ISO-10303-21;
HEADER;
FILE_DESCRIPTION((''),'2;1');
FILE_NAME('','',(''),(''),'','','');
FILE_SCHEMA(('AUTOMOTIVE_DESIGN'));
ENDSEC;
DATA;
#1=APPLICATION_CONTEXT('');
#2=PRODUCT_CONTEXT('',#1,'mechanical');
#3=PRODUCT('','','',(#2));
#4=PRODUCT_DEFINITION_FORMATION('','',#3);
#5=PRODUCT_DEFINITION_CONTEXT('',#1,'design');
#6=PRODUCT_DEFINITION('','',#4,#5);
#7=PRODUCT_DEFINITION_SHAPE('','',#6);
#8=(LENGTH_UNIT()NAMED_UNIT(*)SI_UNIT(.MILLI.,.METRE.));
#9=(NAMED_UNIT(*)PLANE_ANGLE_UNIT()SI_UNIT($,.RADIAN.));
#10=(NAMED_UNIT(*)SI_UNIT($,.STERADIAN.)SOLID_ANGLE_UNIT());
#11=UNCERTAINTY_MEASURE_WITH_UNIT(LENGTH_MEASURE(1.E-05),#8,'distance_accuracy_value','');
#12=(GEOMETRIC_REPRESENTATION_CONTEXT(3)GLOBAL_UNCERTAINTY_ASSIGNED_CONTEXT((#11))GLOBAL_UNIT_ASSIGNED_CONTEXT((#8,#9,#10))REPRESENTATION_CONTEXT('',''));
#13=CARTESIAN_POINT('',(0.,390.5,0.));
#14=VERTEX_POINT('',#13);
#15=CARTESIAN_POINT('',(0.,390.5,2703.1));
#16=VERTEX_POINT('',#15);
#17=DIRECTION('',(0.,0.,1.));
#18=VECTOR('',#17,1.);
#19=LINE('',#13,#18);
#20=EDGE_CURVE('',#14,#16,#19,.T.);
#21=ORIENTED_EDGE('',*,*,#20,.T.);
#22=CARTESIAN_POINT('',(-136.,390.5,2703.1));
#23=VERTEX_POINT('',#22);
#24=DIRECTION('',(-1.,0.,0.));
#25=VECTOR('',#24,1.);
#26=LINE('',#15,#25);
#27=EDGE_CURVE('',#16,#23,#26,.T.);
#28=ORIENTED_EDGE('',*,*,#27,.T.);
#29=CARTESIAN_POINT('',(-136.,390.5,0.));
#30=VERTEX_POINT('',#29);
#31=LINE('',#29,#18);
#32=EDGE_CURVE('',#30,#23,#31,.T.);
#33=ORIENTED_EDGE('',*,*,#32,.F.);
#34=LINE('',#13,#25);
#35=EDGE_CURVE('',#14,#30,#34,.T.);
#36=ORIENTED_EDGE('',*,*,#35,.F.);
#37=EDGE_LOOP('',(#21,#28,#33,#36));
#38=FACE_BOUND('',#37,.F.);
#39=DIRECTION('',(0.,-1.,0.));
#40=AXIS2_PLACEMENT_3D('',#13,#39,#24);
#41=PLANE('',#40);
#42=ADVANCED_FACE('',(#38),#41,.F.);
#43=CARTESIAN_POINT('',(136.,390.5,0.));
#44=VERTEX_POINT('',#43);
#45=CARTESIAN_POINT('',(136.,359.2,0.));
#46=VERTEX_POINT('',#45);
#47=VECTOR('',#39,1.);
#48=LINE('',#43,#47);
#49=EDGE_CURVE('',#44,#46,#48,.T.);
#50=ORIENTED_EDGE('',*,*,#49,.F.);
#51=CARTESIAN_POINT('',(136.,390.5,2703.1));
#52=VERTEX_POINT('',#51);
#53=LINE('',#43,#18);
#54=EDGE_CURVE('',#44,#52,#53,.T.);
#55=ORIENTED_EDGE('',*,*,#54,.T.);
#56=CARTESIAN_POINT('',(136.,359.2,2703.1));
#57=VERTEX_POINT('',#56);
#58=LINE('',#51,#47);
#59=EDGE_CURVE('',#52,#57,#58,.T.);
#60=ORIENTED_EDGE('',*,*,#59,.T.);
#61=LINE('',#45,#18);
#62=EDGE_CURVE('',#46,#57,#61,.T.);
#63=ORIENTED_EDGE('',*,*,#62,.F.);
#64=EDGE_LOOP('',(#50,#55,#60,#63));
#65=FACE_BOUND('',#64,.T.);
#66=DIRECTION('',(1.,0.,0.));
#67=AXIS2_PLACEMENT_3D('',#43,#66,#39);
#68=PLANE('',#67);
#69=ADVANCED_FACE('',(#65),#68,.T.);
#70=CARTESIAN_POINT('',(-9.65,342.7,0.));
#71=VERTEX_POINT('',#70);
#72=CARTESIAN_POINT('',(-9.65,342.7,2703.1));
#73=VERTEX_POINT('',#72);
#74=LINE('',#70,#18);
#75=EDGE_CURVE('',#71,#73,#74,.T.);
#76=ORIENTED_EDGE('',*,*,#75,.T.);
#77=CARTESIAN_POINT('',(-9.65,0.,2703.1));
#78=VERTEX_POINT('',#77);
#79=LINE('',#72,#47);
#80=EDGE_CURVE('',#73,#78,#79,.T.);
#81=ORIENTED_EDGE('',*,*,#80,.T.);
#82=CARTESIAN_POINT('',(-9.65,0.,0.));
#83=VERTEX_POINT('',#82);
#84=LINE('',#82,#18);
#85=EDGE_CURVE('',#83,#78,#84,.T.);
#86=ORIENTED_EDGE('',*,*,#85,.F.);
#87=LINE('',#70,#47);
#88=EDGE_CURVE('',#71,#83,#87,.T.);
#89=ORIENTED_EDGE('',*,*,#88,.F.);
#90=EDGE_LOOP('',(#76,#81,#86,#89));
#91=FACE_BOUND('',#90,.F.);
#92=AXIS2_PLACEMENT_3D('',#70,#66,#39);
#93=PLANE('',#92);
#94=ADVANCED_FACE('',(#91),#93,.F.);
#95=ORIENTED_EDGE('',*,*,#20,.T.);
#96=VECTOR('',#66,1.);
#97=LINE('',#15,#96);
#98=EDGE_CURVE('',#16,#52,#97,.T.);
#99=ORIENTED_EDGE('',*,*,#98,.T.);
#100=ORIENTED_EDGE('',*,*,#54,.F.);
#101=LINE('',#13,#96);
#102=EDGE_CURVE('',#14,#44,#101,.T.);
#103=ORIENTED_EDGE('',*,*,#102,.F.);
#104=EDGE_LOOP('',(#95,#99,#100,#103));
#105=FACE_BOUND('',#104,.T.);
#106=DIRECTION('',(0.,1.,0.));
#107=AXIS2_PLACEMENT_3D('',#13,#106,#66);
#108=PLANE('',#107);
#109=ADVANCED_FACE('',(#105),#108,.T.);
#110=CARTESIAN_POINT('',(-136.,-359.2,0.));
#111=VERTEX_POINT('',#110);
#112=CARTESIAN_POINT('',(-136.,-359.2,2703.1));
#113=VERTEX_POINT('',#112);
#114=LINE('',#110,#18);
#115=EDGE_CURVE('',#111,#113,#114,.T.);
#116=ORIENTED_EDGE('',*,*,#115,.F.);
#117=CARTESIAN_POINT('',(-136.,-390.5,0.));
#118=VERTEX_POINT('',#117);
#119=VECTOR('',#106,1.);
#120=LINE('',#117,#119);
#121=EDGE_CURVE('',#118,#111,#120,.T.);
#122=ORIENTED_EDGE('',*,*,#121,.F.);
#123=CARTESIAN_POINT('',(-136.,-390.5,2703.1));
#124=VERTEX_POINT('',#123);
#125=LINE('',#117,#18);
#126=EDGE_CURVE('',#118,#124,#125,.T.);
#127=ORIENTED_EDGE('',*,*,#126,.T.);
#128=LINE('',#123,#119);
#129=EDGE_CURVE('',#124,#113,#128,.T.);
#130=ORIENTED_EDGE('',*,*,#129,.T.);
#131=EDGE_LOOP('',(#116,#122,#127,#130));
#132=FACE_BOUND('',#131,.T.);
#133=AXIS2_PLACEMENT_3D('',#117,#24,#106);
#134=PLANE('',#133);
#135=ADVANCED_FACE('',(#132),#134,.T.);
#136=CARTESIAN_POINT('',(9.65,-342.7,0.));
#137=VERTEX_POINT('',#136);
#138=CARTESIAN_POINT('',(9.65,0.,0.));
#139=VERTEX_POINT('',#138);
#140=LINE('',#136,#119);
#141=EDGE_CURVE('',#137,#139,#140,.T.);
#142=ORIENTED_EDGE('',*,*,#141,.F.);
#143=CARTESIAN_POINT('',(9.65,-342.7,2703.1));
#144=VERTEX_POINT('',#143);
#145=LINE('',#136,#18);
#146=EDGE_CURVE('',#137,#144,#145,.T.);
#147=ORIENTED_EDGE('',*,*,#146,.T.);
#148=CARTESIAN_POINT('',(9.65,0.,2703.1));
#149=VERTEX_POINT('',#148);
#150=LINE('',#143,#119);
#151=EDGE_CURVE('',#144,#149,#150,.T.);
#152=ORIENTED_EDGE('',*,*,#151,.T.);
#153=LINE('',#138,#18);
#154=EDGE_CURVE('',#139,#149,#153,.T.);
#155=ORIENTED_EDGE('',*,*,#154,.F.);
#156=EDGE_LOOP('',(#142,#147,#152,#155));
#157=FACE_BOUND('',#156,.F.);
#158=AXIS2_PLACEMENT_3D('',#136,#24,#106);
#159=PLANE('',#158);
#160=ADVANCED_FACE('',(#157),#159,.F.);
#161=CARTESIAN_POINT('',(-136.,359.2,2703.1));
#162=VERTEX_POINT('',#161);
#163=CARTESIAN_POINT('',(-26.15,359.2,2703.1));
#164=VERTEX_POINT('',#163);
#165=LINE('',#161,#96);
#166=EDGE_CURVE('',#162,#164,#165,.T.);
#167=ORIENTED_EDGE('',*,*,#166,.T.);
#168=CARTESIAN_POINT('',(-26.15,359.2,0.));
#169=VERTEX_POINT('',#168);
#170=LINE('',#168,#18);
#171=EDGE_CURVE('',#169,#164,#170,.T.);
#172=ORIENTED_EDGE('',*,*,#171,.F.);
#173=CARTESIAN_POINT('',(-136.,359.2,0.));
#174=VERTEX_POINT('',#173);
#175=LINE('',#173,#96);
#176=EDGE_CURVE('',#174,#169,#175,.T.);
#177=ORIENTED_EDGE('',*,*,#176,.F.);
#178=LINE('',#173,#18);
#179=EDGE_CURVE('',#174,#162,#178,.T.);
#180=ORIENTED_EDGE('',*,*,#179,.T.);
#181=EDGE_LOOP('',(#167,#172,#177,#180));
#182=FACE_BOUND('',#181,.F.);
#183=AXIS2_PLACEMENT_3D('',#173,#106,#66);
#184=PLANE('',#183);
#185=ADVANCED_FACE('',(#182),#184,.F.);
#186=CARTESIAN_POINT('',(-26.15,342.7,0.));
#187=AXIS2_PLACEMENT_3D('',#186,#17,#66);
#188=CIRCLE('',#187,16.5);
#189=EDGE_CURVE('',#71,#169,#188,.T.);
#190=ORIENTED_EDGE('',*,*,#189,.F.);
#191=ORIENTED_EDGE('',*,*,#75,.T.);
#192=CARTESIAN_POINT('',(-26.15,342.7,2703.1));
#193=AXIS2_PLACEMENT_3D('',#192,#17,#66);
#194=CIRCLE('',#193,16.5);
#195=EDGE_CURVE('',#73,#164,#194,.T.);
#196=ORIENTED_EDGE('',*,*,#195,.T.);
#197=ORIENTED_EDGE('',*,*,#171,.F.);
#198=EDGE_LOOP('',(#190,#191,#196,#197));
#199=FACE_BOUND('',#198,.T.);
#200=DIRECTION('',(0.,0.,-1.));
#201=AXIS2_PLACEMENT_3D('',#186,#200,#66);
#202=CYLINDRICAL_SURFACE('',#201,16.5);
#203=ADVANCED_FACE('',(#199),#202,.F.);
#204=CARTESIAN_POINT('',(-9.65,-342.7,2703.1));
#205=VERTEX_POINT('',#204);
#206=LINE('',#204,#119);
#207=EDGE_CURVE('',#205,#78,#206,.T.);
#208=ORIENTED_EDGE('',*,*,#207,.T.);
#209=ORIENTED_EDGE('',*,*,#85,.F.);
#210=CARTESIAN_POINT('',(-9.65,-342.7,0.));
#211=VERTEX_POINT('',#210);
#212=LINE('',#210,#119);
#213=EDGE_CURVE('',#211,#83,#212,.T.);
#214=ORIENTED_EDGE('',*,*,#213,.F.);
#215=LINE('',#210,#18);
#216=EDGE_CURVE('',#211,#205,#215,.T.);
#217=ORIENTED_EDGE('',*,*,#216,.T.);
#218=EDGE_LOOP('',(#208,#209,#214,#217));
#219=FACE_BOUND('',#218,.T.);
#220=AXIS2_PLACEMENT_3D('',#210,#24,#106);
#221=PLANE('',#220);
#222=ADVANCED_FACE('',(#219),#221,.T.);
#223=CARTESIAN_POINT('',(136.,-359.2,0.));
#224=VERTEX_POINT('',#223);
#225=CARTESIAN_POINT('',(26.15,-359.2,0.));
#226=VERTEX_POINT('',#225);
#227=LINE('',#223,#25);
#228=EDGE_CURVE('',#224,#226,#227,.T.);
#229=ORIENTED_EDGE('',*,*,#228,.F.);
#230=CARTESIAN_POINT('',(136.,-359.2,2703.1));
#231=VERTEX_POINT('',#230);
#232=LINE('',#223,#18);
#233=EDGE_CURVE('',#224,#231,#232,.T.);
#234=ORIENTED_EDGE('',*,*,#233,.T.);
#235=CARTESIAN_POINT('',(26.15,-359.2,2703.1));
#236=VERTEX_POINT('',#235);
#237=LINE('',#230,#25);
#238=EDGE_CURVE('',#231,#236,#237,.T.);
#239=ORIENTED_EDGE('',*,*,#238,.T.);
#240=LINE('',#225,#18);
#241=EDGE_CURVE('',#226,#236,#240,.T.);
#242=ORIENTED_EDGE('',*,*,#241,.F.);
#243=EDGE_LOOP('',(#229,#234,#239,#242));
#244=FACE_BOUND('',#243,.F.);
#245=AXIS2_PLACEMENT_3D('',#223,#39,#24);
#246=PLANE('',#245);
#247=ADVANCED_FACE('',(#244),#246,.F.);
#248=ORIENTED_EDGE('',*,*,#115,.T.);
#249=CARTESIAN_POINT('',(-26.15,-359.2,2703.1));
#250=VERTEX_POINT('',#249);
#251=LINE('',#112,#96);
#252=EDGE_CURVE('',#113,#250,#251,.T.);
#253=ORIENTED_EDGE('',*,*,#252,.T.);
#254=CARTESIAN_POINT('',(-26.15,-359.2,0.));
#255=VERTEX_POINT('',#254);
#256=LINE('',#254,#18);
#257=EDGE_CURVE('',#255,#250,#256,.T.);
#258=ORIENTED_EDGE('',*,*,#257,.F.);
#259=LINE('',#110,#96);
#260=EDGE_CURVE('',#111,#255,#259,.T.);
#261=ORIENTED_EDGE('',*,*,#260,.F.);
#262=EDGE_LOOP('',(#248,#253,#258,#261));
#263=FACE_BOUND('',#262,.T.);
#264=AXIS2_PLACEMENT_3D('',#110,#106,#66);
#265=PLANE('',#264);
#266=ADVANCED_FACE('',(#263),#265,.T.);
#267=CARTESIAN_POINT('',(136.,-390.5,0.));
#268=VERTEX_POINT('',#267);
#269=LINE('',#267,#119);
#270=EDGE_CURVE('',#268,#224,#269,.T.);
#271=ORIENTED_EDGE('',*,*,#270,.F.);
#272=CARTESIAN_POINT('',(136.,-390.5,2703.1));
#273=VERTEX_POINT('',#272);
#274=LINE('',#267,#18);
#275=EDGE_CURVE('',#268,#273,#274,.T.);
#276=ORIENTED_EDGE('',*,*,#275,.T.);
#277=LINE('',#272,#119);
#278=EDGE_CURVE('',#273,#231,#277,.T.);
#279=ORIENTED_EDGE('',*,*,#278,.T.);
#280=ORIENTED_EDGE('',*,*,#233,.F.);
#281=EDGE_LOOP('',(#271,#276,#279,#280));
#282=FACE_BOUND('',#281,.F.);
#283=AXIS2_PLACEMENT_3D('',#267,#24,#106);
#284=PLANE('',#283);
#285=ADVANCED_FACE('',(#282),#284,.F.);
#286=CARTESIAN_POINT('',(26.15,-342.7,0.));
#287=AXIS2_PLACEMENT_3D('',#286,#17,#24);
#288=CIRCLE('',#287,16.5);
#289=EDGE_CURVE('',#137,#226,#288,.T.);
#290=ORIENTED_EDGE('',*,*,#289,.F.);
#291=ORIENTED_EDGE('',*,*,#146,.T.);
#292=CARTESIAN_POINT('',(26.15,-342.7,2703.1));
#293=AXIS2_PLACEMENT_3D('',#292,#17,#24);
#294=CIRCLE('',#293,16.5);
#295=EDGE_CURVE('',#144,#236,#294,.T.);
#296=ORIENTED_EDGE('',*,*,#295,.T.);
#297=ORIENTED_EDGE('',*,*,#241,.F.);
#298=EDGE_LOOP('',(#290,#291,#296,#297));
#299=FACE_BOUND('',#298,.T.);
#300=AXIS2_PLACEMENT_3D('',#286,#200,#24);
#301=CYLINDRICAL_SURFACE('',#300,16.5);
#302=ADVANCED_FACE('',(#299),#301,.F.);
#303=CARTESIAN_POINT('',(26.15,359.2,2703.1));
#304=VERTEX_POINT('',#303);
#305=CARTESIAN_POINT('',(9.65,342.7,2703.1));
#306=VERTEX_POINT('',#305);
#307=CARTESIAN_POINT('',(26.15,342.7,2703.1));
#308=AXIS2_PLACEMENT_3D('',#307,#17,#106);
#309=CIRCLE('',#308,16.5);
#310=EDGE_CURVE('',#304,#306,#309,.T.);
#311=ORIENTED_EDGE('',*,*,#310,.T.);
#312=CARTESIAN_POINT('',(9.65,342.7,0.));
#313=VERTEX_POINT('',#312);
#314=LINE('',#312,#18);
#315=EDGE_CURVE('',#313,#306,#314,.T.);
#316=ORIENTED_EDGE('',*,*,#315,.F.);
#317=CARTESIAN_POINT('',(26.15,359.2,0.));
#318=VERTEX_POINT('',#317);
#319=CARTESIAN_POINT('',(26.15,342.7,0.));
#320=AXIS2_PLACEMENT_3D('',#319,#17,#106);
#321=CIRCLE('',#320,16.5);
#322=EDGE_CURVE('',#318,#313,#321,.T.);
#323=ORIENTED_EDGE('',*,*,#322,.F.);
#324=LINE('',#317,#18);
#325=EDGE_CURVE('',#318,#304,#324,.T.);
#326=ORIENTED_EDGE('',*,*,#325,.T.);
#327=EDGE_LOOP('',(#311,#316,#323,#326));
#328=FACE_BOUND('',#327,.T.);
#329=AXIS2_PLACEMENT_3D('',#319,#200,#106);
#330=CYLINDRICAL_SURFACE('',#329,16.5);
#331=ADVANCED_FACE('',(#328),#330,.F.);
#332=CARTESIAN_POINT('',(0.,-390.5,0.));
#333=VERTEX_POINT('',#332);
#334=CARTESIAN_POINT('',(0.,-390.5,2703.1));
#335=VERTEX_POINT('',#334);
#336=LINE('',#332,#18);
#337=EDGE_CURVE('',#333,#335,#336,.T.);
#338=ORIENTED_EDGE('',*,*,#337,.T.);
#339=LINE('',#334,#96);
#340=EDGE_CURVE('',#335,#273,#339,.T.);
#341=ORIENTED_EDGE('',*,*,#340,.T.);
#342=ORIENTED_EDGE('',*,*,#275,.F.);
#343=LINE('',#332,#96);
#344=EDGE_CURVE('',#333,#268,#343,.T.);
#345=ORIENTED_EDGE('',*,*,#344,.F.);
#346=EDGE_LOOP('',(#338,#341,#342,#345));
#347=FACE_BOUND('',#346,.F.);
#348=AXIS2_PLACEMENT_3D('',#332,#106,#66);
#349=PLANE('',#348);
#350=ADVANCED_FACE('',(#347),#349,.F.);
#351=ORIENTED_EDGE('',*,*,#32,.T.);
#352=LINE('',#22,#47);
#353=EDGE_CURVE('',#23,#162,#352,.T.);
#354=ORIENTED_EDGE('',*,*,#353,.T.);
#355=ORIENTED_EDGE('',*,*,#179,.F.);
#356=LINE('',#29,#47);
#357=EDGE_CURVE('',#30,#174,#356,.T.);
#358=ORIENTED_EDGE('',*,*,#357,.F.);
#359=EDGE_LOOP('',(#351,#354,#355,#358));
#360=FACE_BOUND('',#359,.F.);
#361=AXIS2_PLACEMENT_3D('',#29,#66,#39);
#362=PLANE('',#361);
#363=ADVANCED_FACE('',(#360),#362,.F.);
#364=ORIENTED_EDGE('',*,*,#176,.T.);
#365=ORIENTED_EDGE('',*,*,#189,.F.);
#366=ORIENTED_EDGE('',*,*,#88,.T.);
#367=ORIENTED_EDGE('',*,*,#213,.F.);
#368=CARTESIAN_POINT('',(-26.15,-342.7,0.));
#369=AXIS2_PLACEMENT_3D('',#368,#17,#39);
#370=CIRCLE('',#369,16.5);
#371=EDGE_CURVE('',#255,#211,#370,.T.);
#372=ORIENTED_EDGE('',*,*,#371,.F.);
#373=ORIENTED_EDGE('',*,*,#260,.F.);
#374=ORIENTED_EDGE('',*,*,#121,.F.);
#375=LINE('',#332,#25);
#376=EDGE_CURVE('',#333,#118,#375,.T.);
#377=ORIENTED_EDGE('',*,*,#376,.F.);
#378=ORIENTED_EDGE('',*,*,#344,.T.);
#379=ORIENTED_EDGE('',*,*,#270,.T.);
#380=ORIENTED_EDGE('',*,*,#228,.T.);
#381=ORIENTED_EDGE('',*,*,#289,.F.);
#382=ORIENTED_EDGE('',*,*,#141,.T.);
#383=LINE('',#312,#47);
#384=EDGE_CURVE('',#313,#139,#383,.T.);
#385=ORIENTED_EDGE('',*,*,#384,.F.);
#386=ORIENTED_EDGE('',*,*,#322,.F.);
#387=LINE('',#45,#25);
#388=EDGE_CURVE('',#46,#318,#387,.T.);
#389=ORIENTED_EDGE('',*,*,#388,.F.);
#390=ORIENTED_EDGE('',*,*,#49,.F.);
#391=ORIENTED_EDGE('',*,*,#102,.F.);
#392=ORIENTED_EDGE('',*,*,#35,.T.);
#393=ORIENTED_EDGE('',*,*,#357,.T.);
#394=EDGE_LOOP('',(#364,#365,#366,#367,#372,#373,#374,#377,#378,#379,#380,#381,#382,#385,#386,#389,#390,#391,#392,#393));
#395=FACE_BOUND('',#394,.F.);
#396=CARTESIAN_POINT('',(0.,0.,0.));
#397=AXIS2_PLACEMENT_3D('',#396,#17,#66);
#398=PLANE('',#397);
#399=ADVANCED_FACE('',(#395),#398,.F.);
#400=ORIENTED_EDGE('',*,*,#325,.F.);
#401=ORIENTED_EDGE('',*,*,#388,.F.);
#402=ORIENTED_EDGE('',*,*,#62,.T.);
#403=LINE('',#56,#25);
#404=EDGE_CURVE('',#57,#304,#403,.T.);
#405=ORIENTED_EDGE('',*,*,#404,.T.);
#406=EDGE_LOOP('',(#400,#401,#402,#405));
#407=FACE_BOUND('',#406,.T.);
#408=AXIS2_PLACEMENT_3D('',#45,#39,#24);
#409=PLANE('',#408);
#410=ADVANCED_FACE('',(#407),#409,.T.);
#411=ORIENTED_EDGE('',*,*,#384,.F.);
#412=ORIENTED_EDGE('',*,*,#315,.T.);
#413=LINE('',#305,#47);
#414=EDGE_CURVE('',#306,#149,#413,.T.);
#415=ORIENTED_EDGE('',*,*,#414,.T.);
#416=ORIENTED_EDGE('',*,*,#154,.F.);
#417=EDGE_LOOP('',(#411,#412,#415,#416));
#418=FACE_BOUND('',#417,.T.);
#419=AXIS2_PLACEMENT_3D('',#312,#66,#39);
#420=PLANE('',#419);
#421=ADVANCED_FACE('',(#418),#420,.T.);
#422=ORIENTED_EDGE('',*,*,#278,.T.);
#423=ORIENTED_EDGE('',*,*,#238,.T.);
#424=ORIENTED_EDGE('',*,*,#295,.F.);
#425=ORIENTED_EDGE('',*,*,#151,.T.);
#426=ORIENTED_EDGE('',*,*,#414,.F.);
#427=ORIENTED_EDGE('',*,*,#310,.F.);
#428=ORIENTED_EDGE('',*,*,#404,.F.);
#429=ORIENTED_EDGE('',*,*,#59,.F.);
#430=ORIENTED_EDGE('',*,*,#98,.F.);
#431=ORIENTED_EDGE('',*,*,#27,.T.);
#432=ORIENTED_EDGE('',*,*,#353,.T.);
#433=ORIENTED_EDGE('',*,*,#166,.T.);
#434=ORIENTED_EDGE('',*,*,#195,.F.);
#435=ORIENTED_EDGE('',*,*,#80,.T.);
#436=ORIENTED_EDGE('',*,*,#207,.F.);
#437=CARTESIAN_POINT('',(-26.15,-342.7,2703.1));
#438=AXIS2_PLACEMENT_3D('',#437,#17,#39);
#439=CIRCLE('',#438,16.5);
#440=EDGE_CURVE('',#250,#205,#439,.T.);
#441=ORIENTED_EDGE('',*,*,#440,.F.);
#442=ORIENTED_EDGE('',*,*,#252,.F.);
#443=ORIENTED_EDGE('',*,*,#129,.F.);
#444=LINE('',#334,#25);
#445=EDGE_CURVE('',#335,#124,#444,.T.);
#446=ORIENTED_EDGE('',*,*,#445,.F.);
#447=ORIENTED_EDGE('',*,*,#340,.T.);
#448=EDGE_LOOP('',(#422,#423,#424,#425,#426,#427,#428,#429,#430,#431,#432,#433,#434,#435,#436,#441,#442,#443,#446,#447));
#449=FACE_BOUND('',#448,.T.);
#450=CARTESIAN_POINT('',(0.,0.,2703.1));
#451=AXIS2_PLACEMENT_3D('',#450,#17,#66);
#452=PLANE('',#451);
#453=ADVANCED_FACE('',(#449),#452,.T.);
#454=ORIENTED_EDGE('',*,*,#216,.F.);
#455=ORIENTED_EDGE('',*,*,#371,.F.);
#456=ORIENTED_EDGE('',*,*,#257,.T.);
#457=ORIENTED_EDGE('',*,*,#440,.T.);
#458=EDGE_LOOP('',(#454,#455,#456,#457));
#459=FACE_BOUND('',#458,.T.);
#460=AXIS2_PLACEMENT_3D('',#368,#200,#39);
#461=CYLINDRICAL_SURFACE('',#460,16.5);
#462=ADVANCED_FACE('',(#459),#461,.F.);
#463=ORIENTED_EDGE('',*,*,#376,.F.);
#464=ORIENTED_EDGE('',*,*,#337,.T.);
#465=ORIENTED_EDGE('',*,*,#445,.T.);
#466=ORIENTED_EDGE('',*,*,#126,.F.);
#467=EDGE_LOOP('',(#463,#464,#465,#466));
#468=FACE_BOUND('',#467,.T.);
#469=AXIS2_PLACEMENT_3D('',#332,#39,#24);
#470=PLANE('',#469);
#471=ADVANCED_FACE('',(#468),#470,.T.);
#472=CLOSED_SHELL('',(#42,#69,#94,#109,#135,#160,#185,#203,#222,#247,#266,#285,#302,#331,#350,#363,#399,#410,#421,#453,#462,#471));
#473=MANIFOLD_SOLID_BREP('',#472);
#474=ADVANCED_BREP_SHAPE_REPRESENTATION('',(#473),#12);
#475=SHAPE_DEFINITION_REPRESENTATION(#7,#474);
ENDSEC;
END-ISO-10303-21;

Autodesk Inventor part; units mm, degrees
ref_plane "YZ Plane" through (0, 0, 0) normal (1, 0, 0) x (0, 1, 0)
ref_plane "Start plane" through (0, 0, 0) normal (0, 0, 1) x (1, 0, 0)
ref_plane "End plane" through (0, 0, 2703.1) normal (0, 0, 1) x (1, 0, 0)
sketch "Sketch" plane through (0, 0, 0) normal (0, 0, 1) x (1, 0, 0)
  line L0 (-136, -390.5) -> (-136, -359.2)
  line L1 (-136, -359.2) -> (-26.15, -359.2)
  line L2 (-9.65, -342.7) -> (-9.65, 0)
  line L3 (-9.65, 0) -> (0, 0) construction
  line L4 (0, 0) -> (0, -390.5) construction
  line L5 (0, -390.5) -> (-136, -390.5)
  line L6 (-60, 0) -> (80, 0) construction
  line L7 (0, -60) -> (0, 80) construction
  line L8 (136, -390.5) -> (136, -359.2)
  line L9 (136, -359.2) -> (26.15, -359.2)
  line L10 (9.65, -342.7) -> (9.65, 0)
  line L11 (9.65, 0) -> (0, 0) construction
  line L12 (0, -390.5) -> (136, -390.5)
  line L13 (-136, 390.5) -> (-136, 359.2)
  line L14 (-136, 359.2) -> (-26.15, 359.2)
  line L15 (-9.65, 342.7) -> (-9.65, 0)
  line L16 (0, 390.5) -> (-136, 390.5)
  line L17 (136, 390.5) -> (136, 359.2)
  line L18 (136, 359.2) -> (26.15, 359.2)
  line L19 (0, 390.5) -> (136, 390.5)
  line L20 (9.65, 342.7) -> (9.65, 0)
  arc A0 (-9.65, 342.7) -> (-26.15, 359.2) centre (-26.15, 342.7) ccw
  arc A1 (26.15, 359.2) -> (9.65, 342.7) centre (26.15, 342.7) ccw
  arc A2 (9.65, -342.7) -> (26.15, -359.2) centre (26.15, -342.7) ccw
  arc A3 (-26.15, -359.2) -> (-9.65, -342.7) centre (-26.15, -342.7) ccw
  line L21 (0, 108) -> (0, -88) construction
  line L22 (-88, 0) -> (108, 0) construction
  point P0 (-9.65, -359.2)
  point P1 (9.65, -359.2)
  point P2 (-9.65, 359.2)
  point P3 (9.65, 359.2)
  dimension "d1" = 390.5
  dimension "d2" = 31.3
  dimension "d3" = 136
  dimension "d4" = 9.65
  dimension "d10" = 16.5
extrude "Body" add sketch "Sketch" along normal up to surface (2703.1 mm away) from surface at 0
sketch "Sketch4" plane through (0, 0, 0) normal (0, 0, 1) x (1, 0, 0)
  line L0 (0, 0) -> (10, 0)
ref_plane "Work Plane3" through (0, 0, 0) normal (0, -1, 0) x (1, 0, 0)
sketch "Sketch5" plane through (0, 0, 0) normal (0, -1, 0) x (1, 0, 0)
  line L0 (-2, 0) -> (12, 0) projected
  line L1 (-2, 2703.1) -> (12, 2703.1) projected
  dimension "d14" = 2703.1
equation "\"d1\" = 0.5 * G_H"
equation "\"d2\" = G_T1"
equation "\"d3\" = 0.5 * G_W"
equation "\"d4\" = 0.5 * G_T"
equation "\"d10\" = G_IR"
equation "\"d5\" = G_L"
equation "\"G_W\" = 272"
equation "\"G_H\" = 781"
equation "\"G_T\" = 19.3"
equation "\"G_T1\" = 31.3"
equation "\"G_IR\" = 16.5"
equation "\"G_L\" = d14"
equation "\"G_OFFSET_START\" = 0"
equation "\"G_OFFSET_END\" = 0"
equation "\"d12\" = G_OFFSET_END + B_L"
equation "\"B_L\" = 2703.1"
properties part number "AS 3679-1990 - 760 UB - 244 - 2703.1" material "Steel, Mild"
